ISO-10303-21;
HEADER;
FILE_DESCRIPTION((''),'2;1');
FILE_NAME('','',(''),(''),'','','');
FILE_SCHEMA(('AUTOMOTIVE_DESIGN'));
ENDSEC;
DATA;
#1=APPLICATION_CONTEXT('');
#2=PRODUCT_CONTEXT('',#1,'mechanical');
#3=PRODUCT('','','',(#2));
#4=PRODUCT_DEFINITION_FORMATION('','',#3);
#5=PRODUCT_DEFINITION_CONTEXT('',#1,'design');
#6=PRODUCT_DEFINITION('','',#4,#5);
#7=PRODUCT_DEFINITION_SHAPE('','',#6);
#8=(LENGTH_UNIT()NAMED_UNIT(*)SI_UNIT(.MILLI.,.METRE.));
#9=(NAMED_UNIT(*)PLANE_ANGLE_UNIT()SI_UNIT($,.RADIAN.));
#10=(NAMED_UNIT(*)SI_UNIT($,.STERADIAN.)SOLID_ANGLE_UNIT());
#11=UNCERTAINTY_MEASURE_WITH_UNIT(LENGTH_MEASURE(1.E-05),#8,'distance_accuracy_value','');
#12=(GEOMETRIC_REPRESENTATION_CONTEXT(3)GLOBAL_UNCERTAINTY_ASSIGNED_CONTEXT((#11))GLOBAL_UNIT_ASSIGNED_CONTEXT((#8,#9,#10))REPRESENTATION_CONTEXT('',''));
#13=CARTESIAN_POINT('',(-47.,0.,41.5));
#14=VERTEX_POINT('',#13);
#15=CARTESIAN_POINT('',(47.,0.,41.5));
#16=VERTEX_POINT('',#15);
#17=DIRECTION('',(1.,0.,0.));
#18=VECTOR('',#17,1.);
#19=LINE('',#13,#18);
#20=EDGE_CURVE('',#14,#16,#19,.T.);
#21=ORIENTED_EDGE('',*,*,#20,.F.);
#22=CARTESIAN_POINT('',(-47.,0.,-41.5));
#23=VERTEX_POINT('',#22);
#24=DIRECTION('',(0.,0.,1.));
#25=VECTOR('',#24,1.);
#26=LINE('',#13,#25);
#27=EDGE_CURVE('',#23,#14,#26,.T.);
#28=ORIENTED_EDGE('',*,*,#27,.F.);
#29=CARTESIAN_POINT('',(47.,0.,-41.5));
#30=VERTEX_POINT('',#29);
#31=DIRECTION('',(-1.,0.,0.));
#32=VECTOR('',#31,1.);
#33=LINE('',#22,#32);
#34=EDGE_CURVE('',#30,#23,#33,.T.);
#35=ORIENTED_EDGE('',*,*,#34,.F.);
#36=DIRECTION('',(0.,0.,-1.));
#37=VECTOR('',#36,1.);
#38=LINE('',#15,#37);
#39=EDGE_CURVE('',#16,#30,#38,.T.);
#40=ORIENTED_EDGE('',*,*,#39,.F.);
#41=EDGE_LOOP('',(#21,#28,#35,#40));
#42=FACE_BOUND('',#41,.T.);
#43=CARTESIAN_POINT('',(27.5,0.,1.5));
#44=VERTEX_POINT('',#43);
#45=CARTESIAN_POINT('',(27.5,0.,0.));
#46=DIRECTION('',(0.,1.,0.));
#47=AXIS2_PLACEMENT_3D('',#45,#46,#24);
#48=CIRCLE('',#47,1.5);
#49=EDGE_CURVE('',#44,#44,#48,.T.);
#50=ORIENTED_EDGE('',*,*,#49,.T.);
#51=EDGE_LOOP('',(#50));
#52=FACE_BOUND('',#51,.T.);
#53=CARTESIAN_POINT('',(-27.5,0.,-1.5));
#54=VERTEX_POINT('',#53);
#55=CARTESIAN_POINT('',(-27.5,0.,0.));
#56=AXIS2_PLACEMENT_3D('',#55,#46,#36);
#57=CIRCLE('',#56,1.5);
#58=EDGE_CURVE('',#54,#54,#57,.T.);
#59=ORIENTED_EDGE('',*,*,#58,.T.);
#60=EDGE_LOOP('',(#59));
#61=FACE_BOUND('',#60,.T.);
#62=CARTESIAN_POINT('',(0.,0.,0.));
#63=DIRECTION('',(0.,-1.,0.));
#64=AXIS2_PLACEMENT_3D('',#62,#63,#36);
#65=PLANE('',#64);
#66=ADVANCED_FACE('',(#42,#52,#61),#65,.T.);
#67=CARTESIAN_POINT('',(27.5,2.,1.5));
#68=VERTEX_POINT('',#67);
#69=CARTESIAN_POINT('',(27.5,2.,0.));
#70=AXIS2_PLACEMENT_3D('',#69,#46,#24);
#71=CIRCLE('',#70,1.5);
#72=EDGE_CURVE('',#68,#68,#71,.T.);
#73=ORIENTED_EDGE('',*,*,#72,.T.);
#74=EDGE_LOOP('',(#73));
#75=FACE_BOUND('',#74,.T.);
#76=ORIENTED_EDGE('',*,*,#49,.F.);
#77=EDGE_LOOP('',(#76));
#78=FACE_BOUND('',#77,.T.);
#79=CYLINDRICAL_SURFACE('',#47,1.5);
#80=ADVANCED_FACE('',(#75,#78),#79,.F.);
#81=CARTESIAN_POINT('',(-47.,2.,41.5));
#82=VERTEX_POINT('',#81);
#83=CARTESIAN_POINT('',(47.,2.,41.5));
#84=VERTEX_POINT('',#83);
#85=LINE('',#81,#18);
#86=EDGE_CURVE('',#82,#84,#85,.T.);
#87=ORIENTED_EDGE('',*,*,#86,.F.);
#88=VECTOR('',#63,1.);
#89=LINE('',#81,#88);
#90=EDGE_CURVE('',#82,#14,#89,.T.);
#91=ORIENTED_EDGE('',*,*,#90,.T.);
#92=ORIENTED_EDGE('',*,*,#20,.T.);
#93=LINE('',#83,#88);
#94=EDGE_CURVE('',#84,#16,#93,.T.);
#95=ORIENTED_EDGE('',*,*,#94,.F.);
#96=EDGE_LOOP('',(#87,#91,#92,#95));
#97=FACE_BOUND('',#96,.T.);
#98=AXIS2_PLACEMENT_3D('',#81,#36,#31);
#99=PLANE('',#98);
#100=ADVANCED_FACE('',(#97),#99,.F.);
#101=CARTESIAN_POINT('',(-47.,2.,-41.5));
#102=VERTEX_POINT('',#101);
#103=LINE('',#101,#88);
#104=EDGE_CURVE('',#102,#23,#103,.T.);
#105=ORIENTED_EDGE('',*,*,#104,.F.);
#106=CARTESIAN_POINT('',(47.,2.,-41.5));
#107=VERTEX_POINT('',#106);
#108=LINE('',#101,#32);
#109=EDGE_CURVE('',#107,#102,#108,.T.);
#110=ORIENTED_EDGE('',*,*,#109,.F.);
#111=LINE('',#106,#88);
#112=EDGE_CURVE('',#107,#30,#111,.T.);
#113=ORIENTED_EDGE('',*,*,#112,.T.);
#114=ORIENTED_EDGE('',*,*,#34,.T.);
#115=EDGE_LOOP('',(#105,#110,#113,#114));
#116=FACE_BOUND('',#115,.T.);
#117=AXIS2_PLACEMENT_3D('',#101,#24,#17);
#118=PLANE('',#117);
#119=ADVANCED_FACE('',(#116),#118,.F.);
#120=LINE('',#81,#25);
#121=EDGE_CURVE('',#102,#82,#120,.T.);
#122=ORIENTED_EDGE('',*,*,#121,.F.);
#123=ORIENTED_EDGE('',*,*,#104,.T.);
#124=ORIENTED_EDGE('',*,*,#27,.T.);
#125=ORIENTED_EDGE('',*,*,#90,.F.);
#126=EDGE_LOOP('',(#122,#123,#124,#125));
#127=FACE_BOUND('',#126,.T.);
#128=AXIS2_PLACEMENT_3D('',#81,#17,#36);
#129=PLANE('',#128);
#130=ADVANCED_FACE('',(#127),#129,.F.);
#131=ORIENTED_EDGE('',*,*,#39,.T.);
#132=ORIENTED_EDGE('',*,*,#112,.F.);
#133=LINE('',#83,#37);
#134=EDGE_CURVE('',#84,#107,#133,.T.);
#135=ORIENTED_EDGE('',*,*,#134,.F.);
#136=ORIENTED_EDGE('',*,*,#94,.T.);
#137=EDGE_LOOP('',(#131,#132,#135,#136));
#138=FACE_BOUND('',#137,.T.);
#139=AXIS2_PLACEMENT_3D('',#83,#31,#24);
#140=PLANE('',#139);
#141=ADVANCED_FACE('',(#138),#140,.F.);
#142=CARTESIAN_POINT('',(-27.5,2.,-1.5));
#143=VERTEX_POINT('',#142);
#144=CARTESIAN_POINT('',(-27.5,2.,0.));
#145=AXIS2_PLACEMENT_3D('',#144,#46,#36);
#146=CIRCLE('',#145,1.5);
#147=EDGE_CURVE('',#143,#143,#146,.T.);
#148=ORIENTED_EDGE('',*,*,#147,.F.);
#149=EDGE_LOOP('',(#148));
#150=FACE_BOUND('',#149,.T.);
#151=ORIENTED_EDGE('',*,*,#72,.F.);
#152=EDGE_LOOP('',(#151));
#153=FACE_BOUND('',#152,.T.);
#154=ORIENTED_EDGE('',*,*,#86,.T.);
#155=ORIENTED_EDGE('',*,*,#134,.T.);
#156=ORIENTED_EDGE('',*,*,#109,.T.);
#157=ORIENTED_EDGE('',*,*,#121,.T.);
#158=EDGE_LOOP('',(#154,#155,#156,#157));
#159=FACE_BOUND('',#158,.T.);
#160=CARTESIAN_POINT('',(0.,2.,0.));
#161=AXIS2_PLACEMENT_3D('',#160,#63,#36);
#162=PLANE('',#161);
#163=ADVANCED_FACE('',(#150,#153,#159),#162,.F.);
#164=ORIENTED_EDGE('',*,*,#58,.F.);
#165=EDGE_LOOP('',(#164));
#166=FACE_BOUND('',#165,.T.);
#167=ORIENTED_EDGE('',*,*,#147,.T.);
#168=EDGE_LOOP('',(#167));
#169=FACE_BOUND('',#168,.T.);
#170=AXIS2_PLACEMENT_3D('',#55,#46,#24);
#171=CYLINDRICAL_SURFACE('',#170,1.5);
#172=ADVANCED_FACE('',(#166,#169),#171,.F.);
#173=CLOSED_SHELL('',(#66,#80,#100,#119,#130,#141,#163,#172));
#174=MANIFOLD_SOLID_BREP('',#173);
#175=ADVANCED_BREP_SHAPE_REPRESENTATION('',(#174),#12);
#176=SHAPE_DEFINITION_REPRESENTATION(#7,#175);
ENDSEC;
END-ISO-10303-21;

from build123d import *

# Parameters (mm, degrees)
SKETCH1_W           = 94
SKETCH1_H           = 83
BOSS_EXTRUDE1_DEPTH = 2
SKETCH2_R           = 1.5
CUT_EXTRUDE1_DEPTH  = 3


with BuildPart() as part:
    # Sketch1 → Boss-Extrude1 (new body)
    with BuildSketch(Plane(origin=(0, 0, 0), x_dir=(1, 0, 0), z_dir=(0, 1, 0))):
        Rectangle(SKETCH1_W, SKETCH1_H)
    extrude(amount=BOSS_EXTRUDE1_DEPTH)

    # Sketch2 → Cut-Extrude1 (cut, through all)
    with BuildSketch(Plane(origin=(0, 2, 0), x_dir=(1, 0, 0), z_dir=(0, 1, 0))):
        with Locations((27.5, 0)):
            Circle(SKETCH2_R)
        with Locations((-27.5, 0)):
            Circle(SKETCH2_R)
    extrude(amount=-CUT_EXTRUDE1_DEPTH, mode=Mode.SUBTRACT)


solid = part.part
